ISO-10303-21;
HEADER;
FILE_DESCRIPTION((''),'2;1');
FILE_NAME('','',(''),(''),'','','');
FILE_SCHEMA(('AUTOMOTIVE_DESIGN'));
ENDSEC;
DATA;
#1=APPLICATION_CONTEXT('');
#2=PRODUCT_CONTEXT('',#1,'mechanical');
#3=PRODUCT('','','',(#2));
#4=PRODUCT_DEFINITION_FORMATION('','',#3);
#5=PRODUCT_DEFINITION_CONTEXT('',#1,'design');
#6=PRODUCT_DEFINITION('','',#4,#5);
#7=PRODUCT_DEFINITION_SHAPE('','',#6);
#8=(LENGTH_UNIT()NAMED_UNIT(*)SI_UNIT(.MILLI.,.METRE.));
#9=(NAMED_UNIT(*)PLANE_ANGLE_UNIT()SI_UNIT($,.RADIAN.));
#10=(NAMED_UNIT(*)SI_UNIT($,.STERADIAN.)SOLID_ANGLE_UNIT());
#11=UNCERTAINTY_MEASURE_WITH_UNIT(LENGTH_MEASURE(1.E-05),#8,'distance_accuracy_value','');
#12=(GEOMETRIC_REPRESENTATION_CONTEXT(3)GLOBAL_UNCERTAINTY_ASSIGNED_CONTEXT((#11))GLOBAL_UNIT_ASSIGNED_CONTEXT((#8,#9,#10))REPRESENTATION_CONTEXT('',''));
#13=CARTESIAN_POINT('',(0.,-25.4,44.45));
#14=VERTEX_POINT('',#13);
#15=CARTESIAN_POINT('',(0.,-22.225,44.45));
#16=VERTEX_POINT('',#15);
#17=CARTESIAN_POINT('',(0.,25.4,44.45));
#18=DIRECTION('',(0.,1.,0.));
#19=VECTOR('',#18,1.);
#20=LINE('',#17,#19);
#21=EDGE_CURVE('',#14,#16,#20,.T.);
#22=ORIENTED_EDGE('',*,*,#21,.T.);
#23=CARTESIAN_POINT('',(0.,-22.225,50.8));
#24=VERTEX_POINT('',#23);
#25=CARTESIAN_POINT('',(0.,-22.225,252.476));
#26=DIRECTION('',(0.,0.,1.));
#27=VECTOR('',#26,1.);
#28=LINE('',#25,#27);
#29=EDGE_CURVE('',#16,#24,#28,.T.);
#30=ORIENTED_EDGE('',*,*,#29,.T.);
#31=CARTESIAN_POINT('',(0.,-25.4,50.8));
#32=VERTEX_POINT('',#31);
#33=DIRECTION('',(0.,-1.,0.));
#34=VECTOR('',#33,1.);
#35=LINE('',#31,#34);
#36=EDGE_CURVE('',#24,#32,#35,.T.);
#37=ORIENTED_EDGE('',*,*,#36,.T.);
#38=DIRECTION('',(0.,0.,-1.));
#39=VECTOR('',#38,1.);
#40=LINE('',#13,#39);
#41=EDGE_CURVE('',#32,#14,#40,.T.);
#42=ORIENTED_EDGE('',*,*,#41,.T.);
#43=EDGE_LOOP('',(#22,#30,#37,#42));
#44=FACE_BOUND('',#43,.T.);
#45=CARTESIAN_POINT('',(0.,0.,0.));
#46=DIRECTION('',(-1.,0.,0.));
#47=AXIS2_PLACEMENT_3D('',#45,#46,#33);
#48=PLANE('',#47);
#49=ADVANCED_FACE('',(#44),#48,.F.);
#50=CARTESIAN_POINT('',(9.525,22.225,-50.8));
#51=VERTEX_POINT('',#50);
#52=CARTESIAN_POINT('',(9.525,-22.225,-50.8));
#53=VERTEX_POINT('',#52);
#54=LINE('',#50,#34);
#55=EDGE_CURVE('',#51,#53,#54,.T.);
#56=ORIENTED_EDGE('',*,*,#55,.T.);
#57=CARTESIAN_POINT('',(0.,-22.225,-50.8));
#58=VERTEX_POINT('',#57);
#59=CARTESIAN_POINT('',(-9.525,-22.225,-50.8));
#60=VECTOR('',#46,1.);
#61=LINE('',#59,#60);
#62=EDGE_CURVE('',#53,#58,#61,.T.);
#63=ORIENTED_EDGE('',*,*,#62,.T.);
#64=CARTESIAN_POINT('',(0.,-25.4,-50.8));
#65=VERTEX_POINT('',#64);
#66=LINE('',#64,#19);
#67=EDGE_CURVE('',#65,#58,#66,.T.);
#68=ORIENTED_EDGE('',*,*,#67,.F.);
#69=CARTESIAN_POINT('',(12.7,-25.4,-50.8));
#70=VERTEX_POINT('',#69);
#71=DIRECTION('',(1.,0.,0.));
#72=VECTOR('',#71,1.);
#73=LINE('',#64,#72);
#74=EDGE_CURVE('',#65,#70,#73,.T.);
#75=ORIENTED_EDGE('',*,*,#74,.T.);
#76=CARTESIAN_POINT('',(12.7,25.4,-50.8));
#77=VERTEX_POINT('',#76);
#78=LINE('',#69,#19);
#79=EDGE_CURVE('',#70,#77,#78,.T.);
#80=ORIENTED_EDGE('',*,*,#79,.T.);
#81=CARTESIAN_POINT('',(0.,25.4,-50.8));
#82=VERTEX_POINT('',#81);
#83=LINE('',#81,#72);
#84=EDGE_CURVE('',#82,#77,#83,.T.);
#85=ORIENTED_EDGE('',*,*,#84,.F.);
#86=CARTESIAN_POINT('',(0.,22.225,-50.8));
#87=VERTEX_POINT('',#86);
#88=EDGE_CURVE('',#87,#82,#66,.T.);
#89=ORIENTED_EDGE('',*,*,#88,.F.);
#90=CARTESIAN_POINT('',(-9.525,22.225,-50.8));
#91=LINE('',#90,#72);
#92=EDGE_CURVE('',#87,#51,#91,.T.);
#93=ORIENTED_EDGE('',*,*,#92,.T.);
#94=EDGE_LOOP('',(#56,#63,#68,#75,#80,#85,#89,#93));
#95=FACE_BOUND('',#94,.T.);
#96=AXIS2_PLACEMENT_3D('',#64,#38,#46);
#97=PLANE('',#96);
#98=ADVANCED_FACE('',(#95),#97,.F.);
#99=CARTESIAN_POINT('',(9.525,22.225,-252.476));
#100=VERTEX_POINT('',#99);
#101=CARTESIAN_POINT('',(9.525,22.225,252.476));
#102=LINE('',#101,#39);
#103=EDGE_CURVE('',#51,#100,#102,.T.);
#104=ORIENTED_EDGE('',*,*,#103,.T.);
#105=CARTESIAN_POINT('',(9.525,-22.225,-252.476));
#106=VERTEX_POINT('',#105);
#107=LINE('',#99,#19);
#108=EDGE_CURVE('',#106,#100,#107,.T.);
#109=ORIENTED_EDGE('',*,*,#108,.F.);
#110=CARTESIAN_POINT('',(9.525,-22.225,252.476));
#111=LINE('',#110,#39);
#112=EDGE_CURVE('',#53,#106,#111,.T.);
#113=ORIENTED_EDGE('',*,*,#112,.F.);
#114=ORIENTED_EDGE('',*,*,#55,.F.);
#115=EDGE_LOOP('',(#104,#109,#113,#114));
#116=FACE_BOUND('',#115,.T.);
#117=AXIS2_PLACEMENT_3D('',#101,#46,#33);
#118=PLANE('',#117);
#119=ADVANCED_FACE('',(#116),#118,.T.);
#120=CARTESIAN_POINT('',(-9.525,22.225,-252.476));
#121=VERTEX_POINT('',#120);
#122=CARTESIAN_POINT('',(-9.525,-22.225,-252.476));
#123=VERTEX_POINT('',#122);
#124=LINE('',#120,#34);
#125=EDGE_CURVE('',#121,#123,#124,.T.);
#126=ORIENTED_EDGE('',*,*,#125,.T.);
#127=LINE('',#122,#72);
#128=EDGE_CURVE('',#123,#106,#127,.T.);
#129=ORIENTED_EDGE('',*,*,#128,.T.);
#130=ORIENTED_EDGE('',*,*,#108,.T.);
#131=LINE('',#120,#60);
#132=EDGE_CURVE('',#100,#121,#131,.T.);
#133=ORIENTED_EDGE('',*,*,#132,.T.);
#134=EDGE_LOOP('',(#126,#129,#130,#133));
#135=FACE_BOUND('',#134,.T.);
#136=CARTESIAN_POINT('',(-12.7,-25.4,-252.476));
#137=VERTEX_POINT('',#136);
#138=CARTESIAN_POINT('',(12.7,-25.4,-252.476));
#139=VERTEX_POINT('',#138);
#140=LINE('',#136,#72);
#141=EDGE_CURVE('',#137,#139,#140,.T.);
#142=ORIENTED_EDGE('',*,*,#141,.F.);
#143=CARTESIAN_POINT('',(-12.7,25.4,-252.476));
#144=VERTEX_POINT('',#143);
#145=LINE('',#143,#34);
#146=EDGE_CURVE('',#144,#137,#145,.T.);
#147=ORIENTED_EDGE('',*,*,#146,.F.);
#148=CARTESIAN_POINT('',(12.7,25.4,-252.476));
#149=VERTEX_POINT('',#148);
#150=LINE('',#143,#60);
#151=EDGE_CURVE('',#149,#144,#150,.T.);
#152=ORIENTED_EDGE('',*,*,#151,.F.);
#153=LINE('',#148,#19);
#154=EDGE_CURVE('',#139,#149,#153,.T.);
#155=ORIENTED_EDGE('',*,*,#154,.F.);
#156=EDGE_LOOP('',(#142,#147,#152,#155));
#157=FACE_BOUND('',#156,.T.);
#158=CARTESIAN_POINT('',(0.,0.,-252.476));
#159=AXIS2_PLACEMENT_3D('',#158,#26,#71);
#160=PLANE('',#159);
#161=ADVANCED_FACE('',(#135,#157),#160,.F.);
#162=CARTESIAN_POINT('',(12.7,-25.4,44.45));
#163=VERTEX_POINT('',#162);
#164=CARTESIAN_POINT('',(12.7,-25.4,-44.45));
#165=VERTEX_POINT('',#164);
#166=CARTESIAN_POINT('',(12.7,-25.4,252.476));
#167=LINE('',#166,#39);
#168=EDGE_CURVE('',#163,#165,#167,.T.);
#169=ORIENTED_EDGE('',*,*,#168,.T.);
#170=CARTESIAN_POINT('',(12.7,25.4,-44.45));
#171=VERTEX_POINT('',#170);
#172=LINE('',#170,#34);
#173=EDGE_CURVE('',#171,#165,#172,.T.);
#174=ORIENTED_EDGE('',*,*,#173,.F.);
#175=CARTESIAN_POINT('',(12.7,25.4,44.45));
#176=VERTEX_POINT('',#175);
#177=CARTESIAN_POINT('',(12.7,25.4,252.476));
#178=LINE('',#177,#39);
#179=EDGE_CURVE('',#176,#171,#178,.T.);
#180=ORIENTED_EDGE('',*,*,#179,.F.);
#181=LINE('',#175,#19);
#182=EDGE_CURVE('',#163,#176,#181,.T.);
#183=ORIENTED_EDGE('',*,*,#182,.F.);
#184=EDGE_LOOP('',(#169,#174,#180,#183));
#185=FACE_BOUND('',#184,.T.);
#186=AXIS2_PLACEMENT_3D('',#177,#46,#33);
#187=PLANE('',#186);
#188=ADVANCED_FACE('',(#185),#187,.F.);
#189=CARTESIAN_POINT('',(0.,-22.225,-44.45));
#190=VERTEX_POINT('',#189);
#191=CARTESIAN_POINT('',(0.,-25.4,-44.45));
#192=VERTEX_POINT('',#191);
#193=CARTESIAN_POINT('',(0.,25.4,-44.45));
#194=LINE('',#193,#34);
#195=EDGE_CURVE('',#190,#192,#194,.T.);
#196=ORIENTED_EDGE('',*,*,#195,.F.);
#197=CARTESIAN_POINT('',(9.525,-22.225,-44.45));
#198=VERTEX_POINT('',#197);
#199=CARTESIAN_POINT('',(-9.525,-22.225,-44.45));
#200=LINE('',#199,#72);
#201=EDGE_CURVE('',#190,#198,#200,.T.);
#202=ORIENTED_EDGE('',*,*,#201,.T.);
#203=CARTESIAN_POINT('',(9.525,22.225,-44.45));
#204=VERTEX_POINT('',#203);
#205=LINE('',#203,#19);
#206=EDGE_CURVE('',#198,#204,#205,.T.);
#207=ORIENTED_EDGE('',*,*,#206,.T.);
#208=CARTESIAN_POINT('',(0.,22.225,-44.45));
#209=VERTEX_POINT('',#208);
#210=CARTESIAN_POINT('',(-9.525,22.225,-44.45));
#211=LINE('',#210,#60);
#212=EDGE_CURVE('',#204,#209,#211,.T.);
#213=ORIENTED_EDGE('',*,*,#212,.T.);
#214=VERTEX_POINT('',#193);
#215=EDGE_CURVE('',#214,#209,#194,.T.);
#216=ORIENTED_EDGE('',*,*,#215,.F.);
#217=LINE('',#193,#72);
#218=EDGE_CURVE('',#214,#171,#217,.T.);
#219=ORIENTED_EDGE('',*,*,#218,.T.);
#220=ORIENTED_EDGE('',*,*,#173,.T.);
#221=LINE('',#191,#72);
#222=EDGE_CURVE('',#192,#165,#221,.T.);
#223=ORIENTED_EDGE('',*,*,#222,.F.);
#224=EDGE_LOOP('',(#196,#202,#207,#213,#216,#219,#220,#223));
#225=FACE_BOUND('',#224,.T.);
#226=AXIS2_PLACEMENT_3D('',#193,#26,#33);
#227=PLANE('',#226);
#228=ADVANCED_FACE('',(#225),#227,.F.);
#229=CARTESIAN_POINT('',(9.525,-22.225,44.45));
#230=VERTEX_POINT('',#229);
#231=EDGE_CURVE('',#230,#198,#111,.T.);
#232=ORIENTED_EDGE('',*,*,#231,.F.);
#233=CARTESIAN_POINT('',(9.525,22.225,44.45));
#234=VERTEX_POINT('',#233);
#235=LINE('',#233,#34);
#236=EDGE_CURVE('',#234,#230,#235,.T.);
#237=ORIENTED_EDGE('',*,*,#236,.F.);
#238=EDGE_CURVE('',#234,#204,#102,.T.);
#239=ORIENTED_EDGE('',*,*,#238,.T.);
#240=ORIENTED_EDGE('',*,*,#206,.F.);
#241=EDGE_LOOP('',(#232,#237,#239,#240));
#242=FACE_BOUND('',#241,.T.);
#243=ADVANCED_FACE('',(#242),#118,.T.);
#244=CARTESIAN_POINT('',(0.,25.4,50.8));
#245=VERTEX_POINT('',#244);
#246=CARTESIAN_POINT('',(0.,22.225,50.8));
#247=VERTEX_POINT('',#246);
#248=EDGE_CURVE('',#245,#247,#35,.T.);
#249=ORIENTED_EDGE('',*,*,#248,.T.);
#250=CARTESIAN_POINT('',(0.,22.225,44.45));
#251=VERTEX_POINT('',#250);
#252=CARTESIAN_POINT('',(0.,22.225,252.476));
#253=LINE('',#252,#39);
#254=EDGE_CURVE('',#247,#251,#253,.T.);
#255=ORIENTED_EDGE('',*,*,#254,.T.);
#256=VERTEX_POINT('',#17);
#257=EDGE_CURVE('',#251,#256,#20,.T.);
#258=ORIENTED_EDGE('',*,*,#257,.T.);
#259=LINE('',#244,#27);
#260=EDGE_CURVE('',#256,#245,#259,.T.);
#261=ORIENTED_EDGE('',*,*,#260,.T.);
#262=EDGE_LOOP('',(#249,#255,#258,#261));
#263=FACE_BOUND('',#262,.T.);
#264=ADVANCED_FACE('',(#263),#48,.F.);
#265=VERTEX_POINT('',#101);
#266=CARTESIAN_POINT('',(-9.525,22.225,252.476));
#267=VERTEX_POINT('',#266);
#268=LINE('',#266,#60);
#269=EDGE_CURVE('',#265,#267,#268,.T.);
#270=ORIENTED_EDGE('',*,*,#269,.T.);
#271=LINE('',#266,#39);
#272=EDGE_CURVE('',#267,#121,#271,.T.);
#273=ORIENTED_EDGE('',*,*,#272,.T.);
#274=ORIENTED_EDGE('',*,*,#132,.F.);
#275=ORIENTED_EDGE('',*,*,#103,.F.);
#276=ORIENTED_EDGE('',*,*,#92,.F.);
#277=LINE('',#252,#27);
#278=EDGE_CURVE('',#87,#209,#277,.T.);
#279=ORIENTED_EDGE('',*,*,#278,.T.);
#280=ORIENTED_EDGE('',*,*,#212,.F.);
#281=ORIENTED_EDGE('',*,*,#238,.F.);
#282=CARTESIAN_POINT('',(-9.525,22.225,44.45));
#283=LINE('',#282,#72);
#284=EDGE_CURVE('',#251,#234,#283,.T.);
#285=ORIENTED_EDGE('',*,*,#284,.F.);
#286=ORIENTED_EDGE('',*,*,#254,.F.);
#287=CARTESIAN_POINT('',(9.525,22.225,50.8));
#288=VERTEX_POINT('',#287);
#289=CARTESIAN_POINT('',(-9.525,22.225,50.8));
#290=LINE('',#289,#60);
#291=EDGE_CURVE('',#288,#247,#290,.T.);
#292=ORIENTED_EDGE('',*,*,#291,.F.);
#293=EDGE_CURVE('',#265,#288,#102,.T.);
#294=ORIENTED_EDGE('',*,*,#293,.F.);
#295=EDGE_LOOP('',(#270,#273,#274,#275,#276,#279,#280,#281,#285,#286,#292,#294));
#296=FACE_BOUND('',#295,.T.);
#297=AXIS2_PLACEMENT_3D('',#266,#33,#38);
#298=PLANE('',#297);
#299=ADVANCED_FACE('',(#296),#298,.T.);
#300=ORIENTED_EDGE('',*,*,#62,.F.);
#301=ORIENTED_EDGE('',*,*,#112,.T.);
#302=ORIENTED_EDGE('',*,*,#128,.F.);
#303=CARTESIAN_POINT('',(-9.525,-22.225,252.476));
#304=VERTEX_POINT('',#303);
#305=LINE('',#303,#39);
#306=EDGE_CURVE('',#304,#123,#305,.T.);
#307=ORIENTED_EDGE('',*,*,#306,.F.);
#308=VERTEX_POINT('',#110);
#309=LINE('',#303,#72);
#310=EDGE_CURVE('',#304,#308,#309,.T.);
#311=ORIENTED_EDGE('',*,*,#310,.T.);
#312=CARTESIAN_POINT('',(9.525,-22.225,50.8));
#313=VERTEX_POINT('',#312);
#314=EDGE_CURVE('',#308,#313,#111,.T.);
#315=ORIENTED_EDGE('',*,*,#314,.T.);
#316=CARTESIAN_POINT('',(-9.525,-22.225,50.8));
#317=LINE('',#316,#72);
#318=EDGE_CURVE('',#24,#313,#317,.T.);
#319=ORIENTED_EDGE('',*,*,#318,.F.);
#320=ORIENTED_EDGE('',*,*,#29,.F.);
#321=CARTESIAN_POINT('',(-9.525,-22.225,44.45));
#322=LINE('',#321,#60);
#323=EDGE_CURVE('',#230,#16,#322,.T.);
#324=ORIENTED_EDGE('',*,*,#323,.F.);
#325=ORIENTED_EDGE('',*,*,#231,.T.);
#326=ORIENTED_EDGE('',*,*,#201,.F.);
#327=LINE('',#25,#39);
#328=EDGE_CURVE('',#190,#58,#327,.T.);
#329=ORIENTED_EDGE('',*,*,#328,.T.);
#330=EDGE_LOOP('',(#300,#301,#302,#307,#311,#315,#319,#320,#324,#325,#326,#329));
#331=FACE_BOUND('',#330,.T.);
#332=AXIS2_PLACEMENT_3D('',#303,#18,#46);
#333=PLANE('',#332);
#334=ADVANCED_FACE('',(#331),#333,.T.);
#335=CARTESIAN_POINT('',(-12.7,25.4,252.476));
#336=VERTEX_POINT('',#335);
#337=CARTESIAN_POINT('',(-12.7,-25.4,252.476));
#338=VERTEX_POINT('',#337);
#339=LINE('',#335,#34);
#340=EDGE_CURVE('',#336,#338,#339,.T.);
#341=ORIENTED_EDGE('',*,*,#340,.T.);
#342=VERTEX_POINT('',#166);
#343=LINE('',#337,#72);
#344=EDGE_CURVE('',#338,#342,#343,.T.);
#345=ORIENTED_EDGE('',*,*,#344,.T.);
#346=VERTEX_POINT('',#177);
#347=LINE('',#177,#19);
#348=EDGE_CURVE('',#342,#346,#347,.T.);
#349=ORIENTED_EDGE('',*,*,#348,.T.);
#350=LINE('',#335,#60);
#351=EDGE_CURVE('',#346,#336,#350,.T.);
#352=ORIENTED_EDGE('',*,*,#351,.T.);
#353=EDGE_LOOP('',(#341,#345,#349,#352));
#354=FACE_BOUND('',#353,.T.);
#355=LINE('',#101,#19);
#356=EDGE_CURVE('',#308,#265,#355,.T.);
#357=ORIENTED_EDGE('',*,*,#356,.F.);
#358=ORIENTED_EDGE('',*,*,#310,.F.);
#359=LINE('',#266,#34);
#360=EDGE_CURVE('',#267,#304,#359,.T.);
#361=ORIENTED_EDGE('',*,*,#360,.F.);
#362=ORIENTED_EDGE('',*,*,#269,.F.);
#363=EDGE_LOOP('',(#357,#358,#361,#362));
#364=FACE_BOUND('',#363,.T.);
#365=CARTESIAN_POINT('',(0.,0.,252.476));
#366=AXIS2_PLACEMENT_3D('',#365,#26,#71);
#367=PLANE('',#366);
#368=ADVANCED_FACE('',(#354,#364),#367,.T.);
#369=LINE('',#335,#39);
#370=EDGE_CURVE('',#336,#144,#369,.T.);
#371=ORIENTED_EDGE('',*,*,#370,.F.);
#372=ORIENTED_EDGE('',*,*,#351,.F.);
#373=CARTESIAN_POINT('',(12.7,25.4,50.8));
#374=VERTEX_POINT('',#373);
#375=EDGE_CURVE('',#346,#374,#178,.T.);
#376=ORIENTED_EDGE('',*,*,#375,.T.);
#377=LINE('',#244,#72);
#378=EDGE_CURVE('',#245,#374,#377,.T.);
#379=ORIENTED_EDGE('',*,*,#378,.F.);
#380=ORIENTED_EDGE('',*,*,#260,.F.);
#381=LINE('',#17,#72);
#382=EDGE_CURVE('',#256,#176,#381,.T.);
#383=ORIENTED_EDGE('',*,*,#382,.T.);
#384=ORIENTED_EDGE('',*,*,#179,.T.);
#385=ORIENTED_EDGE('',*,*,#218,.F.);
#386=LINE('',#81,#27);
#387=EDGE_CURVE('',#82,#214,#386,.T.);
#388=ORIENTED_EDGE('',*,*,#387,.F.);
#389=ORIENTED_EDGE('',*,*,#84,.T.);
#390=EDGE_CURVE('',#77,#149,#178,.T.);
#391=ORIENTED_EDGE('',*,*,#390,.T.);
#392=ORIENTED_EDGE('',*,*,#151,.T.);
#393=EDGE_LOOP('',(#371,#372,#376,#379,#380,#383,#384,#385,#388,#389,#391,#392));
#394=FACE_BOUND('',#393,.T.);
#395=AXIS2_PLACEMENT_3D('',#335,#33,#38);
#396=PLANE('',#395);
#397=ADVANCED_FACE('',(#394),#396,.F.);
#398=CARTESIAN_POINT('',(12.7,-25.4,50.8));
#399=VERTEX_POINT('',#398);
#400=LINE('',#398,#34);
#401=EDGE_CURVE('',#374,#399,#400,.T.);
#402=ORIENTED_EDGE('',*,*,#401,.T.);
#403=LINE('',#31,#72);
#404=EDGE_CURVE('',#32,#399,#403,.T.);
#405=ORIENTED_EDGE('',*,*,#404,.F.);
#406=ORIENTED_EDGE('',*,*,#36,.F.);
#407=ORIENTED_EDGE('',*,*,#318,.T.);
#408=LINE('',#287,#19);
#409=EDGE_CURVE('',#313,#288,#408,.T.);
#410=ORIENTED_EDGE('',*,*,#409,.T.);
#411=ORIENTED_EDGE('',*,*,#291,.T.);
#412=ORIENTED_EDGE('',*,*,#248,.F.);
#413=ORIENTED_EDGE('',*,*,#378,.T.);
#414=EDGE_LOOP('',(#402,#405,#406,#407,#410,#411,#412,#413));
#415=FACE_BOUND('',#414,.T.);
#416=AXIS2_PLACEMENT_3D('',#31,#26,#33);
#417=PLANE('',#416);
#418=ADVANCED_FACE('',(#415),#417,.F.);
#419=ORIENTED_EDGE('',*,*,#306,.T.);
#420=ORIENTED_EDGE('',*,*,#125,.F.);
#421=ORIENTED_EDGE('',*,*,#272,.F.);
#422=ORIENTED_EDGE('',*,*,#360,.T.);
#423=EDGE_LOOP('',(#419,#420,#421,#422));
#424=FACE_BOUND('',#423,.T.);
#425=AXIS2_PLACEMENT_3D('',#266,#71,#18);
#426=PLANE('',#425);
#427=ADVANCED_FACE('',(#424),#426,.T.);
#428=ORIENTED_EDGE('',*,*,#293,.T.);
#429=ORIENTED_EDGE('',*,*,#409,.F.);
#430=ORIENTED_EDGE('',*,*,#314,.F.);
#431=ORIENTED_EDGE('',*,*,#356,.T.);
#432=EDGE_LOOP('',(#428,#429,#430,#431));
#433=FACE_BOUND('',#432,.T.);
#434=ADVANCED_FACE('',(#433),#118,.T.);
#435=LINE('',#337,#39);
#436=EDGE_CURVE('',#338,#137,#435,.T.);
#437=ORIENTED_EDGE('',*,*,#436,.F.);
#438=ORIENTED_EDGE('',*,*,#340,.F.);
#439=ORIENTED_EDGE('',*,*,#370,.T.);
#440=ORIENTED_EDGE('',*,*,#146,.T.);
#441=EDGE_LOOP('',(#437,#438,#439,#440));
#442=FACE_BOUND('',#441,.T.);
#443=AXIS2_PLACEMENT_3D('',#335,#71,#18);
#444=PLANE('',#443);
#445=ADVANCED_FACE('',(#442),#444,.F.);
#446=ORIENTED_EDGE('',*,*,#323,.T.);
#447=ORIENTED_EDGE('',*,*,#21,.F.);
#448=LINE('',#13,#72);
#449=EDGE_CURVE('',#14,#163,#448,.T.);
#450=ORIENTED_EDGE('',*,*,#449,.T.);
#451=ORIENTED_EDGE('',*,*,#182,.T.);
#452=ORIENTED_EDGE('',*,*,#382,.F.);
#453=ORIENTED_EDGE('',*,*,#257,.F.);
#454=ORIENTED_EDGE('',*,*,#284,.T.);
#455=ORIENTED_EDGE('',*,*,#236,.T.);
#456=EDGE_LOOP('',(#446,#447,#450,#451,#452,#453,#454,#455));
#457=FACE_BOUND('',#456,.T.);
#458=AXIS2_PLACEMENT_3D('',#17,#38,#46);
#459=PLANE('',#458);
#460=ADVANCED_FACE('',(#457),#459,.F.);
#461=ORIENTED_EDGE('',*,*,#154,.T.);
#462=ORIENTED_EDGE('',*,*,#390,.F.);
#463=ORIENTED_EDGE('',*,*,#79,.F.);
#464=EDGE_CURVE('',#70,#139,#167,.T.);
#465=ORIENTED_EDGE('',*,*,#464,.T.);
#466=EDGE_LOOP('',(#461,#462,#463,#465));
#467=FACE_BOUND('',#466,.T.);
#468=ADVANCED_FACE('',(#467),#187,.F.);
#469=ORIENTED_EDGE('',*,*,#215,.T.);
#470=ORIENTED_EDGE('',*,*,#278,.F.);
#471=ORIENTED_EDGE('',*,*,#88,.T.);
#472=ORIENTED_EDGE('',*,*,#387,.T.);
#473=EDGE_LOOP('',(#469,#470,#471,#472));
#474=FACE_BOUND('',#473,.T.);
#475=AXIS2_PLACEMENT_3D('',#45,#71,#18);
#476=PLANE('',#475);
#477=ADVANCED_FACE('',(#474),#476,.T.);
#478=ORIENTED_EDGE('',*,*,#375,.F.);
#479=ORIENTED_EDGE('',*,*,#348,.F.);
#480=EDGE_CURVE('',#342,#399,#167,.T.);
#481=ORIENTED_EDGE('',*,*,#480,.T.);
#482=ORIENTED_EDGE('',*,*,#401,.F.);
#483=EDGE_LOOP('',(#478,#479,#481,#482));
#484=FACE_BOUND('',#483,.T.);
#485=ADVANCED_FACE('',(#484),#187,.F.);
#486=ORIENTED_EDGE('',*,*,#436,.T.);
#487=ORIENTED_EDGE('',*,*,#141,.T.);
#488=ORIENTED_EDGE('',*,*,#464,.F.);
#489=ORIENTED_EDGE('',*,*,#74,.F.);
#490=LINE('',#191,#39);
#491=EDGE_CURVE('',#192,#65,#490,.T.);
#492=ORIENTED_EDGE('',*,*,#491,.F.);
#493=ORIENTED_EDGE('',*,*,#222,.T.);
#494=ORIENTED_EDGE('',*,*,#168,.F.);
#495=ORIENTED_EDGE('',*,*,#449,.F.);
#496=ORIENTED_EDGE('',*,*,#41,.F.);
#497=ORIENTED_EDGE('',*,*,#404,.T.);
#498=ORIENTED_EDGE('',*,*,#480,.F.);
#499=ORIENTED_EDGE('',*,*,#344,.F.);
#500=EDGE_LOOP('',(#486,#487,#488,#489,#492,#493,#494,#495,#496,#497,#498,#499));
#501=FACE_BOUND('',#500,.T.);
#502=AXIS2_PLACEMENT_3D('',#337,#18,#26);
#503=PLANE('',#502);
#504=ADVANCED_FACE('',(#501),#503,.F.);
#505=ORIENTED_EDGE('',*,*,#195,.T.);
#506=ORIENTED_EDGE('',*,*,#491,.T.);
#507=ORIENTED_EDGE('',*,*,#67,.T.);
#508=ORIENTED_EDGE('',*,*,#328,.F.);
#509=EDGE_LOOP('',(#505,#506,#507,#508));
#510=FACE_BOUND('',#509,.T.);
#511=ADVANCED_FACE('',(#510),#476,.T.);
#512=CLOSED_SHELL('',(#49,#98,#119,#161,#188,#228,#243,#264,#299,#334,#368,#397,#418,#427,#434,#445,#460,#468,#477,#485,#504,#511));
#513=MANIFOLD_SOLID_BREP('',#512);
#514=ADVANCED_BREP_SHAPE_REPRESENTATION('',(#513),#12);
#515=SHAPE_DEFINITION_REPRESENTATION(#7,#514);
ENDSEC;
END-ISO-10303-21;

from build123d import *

# Parameters (mm, degrees)
SKETCH1_W           = 25.4
SKETCH1_H           = 50.8
SKETCH1_W_2         = 19.05
SKETCH1_H_2         = 44.45
BOSS_EXTRUDE1_DEPTH = 252.476
SKETCH2_W           = 6.35
SKETCH2_H           = 50.8
CUT_EXTRUDE1_DEPTH  = 12.7


with BuildPart() as part:
    # Sketch1 → Boss-Extrude1 (new, symmetric)
    with BuildSketch(Plane.XY):
        Rectangle(SKETCH1_W, SKETCH1_H)
        Rectangle(SKETCH1_W_2, SKETCH1_H_2, mode=Mode.SUBTRACT)
    extrude(amount=BOSS_EXTRUDE1_DEPTH, both=True)

    # Sketch2 → Cut-Extrude1 (cut)
    with BuildSketch(Plane(origin=(12.7, 0, 0), x_dir=(0, 0, -1), z_dir=(1, 0, 0))):
        with Locations((47.625, 0)):
            Rectangle(SKETCH2_W, SKETCH2_H)
        with Locations((-47.625, 0)):
            Rectangle(SKETCH2_W, SKETCH2_H)
    extrude(amount=-CUT_EXTRUDE1_DEPTH, mode=Mode.SUBTRACT)


solid = part.part
